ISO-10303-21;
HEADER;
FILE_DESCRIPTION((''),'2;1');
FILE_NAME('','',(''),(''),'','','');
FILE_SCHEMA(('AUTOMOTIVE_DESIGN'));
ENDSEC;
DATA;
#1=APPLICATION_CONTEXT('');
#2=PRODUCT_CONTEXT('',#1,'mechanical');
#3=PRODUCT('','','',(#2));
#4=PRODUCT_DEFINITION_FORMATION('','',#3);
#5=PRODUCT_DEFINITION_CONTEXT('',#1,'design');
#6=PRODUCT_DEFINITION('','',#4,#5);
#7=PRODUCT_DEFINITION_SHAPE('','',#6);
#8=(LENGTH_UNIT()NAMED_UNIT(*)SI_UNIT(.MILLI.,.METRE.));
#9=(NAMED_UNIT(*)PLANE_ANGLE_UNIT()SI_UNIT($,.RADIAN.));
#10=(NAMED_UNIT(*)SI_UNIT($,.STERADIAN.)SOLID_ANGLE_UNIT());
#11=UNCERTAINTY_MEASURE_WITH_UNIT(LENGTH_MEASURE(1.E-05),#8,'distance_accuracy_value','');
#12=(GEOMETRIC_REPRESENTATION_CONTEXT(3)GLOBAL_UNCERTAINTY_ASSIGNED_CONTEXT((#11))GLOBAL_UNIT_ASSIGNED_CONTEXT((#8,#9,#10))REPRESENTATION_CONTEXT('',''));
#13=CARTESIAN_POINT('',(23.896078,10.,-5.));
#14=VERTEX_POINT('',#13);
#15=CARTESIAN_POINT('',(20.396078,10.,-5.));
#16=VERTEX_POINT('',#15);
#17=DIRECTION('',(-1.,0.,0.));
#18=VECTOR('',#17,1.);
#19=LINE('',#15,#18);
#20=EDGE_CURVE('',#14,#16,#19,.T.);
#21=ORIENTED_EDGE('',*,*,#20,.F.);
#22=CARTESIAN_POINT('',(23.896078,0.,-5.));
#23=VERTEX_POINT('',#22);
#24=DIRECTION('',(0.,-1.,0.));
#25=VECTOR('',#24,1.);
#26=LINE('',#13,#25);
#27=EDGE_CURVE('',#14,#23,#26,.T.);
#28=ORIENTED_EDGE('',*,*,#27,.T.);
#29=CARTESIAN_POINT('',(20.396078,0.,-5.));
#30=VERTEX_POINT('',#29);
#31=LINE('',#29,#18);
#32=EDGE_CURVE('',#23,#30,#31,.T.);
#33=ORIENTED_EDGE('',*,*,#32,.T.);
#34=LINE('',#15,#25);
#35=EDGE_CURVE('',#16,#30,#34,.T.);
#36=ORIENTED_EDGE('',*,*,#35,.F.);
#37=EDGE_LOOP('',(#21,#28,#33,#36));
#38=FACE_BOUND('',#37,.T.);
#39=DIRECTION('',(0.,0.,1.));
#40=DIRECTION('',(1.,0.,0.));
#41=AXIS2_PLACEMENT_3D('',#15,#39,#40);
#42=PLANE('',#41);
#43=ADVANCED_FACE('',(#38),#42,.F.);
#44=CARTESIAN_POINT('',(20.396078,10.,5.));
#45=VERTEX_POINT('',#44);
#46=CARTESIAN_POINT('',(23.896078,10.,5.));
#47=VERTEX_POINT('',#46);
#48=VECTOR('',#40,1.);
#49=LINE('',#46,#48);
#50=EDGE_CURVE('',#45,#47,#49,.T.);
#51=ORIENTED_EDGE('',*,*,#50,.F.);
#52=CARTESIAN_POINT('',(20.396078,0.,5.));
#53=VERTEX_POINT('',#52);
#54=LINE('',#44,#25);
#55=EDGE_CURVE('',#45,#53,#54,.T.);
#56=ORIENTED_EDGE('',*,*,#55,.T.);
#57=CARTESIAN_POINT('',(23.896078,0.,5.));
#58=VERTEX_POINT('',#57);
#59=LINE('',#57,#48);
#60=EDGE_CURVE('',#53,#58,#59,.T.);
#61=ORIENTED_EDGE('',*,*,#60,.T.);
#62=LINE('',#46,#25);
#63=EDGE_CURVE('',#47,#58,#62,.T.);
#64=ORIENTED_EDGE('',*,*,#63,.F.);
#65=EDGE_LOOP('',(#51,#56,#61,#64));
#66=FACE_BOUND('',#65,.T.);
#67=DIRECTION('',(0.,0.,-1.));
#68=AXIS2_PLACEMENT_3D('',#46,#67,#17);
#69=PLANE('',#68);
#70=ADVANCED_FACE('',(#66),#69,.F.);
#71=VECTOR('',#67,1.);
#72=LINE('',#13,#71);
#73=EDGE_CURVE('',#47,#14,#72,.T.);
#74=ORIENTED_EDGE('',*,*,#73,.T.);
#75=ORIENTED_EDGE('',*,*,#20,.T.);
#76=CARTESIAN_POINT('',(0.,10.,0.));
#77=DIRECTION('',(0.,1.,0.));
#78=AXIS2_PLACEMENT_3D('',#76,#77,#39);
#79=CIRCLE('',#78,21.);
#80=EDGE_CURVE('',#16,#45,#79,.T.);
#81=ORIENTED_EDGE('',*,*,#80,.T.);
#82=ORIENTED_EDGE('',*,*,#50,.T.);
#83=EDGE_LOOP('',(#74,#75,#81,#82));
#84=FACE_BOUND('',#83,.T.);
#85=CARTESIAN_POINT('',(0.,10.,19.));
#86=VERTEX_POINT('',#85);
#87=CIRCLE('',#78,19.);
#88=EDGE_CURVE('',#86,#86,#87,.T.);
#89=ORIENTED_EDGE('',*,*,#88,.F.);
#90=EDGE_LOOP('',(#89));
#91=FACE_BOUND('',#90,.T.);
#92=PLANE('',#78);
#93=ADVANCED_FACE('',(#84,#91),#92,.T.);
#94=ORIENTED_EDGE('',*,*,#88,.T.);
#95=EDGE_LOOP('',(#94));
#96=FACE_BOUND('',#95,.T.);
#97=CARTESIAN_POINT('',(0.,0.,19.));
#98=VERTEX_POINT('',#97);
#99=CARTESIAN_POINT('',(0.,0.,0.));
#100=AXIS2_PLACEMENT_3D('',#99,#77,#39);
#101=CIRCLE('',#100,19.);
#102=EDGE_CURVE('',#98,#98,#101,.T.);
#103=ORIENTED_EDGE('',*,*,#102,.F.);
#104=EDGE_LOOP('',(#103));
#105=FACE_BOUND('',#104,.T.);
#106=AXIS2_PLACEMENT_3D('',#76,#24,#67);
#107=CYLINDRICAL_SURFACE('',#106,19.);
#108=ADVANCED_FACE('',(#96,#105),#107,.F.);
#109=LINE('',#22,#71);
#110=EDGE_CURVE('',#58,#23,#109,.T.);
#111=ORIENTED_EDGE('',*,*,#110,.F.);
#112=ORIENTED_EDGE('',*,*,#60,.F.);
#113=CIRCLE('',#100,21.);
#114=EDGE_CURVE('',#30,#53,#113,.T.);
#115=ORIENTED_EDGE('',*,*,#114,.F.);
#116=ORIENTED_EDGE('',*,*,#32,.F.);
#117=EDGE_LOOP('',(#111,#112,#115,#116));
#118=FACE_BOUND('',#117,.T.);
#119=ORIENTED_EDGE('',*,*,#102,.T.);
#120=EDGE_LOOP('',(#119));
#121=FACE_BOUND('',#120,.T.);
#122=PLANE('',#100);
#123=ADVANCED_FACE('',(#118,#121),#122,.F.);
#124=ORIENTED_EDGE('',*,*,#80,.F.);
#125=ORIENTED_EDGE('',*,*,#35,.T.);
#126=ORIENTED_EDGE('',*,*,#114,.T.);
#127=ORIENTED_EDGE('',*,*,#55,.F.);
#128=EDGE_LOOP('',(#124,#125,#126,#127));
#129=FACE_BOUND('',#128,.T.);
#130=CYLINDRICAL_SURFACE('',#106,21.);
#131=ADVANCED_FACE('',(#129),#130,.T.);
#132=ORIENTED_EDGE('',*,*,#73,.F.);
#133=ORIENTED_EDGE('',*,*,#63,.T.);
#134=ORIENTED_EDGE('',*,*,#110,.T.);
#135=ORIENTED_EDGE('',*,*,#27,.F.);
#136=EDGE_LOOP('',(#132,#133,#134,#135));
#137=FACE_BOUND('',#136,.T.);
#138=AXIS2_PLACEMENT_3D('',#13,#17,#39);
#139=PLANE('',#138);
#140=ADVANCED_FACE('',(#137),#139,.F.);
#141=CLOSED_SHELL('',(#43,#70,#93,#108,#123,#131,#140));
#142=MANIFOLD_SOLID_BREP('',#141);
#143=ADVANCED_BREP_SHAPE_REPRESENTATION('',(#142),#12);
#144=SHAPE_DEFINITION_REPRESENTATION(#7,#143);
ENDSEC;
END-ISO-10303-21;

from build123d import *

# Parameters (mm, degrees)
SKETCH1_R           = 19
BOSS_EXTRUDE1_DEPTH = 10


with BuildPart() as part:
    # Sketch1 → Boss-Extrude1 (new body)
    with BuildSketch(Plane(origin=(0, 0, 0), x_dir=(1, 0, 0), z_dir=(0, 1, 0))):
        with BuildLine():
            Line((20.396078054, 5), (23.896078054, 5))
            Line((23.896078054, 5), (23.896078054, -5))
            Line((23.896078054, -5), (20.396078054, -5))
            ThreePointArc((20.396078054, -5), (-21, 0), (20.396078054, 5))
        make_face()
        with Locations(Location((0, 0, 0), (0, 0, 270))):
            Circle(SKETCH1_R, mode=Mode.SUBTRACT)
    extrude(amount=BOSS_EXTRUDE1_DEPTH)


solid = part.part
